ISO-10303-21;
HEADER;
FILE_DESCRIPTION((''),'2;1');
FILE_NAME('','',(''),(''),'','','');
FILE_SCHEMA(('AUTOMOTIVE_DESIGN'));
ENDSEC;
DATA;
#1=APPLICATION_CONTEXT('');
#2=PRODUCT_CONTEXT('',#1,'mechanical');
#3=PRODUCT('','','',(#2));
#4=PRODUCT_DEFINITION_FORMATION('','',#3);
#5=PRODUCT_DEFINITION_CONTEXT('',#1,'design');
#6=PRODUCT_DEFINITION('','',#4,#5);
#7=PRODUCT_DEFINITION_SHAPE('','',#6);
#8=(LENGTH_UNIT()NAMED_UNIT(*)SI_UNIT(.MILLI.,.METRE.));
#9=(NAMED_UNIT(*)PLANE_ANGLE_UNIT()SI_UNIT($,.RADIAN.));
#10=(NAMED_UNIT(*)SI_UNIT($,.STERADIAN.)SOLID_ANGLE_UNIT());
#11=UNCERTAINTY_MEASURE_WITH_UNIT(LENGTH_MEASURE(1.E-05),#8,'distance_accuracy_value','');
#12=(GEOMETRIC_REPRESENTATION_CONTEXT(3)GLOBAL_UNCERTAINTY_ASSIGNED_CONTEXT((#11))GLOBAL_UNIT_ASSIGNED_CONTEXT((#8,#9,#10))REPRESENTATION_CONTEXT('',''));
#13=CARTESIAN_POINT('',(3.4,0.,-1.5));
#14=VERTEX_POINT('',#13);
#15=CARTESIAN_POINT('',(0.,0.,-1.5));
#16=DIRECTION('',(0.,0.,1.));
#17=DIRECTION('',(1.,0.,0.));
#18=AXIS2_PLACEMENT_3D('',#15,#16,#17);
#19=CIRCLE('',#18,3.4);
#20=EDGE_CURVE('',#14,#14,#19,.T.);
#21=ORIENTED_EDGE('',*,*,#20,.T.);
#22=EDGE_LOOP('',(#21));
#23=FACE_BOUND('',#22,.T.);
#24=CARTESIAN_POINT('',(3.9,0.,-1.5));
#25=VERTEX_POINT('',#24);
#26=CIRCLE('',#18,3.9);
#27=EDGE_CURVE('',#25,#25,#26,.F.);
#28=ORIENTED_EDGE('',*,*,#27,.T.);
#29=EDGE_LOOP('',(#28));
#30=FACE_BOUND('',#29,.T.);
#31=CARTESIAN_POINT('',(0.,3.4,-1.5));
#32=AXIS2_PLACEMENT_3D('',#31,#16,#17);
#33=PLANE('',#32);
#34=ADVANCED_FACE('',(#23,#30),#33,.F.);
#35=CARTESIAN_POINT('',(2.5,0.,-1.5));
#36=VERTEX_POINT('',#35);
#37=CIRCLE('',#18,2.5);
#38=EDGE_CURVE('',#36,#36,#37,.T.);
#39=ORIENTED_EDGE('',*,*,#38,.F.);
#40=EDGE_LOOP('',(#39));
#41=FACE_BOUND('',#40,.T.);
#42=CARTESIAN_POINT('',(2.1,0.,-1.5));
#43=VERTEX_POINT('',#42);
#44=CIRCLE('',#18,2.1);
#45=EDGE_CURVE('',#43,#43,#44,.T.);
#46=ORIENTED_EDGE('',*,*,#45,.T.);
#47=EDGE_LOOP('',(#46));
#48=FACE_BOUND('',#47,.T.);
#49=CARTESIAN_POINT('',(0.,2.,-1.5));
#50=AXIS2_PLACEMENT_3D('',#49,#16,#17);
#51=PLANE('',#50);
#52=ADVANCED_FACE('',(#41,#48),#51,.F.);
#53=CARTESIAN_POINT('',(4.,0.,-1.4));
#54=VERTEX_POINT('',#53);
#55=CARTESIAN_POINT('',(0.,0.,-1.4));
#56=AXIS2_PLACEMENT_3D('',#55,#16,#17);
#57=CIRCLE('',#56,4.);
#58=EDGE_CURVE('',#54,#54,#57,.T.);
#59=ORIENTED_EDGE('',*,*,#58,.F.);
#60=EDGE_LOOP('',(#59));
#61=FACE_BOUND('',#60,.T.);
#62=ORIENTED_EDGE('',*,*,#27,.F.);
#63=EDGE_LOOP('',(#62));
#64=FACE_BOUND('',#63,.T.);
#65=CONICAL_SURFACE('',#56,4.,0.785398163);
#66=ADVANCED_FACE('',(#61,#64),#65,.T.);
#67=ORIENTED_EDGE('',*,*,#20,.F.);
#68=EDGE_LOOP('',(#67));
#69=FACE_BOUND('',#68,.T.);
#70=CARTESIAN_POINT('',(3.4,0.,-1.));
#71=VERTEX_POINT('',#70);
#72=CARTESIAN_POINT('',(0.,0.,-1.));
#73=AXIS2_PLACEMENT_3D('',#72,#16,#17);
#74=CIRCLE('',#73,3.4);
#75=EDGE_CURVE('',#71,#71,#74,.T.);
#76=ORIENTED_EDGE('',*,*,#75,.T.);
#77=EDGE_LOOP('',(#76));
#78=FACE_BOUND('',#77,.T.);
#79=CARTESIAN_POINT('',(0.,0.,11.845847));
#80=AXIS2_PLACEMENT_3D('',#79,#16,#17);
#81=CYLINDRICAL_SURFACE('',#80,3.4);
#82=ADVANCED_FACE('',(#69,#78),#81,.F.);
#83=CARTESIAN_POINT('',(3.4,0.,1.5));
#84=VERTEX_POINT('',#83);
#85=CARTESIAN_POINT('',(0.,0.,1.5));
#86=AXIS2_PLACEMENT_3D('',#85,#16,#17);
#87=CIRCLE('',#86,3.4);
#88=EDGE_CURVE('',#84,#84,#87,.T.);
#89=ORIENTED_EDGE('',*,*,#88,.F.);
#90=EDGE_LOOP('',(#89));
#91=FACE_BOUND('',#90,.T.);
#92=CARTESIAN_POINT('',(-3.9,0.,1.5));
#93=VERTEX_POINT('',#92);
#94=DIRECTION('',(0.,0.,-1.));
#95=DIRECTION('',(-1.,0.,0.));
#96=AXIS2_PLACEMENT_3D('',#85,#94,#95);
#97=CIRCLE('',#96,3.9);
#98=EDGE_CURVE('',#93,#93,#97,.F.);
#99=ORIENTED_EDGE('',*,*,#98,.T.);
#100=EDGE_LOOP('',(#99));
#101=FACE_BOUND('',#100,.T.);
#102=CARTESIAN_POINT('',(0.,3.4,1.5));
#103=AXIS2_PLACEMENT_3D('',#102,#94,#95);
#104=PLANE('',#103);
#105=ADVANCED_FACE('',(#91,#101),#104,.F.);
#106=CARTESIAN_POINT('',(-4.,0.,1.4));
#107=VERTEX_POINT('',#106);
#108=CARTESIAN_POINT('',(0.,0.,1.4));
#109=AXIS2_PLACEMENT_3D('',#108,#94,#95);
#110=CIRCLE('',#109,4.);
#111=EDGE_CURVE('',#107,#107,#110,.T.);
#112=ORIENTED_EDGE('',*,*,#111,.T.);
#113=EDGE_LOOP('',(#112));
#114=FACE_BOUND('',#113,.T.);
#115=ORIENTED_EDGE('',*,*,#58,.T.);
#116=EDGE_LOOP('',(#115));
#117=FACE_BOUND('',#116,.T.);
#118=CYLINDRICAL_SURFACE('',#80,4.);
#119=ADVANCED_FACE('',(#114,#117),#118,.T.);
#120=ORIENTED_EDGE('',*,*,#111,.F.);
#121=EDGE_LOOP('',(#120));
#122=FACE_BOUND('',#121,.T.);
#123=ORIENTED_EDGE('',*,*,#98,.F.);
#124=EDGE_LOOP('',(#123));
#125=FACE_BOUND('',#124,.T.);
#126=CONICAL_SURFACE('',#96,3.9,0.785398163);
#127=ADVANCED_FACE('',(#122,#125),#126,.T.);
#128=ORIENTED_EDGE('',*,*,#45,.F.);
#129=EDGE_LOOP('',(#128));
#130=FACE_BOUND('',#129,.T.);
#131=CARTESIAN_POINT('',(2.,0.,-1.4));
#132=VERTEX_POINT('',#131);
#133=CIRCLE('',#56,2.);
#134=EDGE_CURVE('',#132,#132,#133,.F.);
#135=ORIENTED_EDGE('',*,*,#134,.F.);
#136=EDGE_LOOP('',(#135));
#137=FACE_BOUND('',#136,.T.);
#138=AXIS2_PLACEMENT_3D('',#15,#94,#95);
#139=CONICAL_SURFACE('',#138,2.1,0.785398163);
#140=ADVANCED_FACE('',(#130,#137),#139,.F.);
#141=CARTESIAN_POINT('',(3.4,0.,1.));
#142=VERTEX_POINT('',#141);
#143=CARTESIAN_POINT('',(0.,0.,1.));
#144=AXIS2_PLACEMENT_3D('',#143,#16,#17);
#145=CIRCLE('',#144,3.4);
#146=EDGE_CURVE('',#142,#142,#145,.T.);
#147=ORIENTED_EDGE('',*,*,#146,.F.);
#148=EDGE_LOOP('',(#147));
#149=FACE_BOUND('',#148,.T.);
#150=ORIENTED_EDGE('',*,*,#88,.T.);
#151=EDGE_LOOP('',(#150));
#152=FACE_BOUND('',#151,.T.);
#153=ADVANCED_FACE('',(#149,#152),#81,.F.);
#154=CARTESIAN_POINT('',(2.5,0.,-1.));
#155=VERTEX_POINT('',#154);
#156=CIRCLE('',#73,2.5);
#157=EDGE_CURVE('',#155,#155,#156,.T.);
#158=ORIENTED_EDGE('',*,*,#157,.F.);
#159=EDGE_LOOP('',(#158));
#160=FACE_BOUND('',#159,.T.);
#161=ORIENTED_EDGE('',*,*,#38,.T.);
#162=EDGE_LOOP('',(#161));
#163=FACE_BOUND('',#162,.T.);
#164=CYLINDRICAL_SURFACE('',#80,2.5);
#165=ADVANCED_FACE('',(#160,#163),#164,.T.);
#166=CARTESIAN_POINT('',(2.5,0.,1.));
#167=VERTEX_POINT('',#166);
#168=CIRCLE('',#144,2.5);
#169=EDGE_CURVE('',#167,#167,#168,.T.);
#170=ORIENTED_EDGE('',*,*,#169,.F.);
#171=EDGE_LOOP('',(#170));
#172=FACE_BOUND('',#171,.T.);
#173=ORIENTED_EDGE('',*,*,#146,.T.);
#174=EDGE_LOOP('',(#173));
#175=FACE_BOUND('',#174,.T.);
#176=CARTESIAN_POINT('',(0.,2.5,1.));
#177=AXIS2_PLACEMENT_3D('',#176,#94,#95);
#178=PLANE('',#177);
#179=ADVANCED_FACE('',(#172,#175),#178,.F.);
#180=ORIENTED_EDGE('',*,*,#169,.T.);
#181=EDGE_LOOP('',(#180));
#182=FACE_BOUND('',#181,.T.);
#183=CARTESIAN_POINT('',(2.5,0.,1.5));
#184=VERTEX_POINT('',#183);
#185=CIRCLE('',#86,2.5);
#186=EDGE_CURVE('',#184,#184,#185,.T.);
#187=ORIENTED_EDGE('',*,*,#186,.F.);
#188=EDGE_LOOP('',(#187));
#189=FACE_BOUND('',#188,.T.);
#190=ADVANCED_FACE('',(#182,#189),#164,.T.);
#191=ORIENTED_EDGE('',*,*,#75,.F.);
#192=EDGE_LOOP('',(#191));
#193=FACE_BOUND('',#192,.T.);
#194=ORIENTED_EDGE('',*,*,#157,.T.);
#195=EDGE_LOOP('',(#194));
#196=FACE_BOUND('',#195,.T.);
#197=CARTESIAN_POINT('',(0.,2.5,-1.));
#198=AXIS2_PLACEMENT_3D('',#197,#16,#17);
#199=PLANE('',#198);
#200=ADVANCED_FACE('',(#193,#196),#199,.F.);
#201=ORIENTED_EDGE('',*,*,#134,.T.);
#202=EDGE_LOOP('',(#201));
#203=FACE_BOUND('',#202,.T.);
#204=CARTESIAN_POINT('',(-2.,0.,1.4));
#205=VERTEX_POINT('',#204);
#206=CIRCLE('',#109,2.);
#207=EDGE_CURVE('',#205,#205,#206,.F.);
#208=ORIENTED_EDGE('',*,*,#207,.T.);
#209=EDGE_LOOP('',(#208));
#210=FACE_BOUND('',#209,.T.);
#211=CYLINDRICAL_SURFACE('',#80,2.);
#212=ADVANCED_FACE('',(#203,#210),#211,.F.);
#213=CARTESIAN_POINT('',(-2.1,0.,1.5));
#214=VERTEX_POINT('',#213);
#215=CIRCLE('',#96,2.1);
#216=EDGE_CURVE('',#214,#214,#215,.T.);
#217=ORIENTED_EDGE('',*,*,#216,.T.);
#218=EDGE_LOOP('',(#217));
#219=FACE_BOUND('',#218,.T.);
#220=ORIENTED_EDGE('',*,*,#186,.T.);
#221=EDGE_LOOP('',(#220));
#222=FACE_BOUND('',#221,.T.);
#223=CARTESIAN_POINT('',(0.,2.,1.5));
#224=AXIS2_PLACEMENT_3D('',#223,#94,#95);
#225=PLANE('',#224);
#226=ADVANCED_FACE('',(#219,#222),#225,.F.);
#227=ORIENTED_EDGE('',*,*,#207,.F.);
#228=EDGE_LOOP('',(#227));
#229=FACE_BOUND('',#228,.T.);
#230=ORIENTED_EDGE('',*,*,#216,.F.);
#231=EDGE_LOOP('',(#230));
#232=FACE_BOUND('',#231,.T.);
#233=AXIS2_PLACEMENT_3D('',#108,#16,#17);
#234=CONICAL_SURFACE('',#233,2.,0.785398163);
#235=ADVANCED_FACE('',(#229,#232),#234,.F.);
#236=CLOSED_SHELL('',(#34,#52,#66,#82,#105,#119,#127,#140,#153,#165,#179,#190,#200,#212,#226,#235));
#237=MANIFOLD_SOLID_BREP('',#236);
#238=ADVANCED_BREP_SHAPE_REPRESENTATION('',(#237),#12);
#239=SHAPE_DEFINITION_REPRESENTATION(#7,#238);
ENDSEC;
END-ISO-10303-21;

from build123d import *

# Parameters (mm, degrees)
FASE1_SIZE = 0.1


with BuildPart() as part:
    # Skizze2 → Rotation1 (revolve)
    with BuildSketch(Plane(origin=(0, 0, 0), x_dir=(0, 0, -1), z_dir=(1, 0, 0))):
        Polygon((-1.5, 2), (1.5, 2), (1.5, 2.5), (1, 2.5), (1, 3.4), (1.5, 3.4), (1.5, 4), (-1.5, 4), (-1.5, 3.4), (-1, 3.4), (-1, 2.5), (-1.5, 2.5), align=None)
    revolve(axis=Axis((0, 0, 11.845846522), (0, 0, -1)))

    # Fase1
    fase1_edges = [part.edges().sort_by_distance(p)[0] for p in [
        (0, -4, 1.5),
        (0, -4, -1.5),
        (0, -2, -1.5),
        (0, -2, 1.5),
    ]]
    chamfer(fase1_edges, length=FASE1_SIZE)


solid = part.part
